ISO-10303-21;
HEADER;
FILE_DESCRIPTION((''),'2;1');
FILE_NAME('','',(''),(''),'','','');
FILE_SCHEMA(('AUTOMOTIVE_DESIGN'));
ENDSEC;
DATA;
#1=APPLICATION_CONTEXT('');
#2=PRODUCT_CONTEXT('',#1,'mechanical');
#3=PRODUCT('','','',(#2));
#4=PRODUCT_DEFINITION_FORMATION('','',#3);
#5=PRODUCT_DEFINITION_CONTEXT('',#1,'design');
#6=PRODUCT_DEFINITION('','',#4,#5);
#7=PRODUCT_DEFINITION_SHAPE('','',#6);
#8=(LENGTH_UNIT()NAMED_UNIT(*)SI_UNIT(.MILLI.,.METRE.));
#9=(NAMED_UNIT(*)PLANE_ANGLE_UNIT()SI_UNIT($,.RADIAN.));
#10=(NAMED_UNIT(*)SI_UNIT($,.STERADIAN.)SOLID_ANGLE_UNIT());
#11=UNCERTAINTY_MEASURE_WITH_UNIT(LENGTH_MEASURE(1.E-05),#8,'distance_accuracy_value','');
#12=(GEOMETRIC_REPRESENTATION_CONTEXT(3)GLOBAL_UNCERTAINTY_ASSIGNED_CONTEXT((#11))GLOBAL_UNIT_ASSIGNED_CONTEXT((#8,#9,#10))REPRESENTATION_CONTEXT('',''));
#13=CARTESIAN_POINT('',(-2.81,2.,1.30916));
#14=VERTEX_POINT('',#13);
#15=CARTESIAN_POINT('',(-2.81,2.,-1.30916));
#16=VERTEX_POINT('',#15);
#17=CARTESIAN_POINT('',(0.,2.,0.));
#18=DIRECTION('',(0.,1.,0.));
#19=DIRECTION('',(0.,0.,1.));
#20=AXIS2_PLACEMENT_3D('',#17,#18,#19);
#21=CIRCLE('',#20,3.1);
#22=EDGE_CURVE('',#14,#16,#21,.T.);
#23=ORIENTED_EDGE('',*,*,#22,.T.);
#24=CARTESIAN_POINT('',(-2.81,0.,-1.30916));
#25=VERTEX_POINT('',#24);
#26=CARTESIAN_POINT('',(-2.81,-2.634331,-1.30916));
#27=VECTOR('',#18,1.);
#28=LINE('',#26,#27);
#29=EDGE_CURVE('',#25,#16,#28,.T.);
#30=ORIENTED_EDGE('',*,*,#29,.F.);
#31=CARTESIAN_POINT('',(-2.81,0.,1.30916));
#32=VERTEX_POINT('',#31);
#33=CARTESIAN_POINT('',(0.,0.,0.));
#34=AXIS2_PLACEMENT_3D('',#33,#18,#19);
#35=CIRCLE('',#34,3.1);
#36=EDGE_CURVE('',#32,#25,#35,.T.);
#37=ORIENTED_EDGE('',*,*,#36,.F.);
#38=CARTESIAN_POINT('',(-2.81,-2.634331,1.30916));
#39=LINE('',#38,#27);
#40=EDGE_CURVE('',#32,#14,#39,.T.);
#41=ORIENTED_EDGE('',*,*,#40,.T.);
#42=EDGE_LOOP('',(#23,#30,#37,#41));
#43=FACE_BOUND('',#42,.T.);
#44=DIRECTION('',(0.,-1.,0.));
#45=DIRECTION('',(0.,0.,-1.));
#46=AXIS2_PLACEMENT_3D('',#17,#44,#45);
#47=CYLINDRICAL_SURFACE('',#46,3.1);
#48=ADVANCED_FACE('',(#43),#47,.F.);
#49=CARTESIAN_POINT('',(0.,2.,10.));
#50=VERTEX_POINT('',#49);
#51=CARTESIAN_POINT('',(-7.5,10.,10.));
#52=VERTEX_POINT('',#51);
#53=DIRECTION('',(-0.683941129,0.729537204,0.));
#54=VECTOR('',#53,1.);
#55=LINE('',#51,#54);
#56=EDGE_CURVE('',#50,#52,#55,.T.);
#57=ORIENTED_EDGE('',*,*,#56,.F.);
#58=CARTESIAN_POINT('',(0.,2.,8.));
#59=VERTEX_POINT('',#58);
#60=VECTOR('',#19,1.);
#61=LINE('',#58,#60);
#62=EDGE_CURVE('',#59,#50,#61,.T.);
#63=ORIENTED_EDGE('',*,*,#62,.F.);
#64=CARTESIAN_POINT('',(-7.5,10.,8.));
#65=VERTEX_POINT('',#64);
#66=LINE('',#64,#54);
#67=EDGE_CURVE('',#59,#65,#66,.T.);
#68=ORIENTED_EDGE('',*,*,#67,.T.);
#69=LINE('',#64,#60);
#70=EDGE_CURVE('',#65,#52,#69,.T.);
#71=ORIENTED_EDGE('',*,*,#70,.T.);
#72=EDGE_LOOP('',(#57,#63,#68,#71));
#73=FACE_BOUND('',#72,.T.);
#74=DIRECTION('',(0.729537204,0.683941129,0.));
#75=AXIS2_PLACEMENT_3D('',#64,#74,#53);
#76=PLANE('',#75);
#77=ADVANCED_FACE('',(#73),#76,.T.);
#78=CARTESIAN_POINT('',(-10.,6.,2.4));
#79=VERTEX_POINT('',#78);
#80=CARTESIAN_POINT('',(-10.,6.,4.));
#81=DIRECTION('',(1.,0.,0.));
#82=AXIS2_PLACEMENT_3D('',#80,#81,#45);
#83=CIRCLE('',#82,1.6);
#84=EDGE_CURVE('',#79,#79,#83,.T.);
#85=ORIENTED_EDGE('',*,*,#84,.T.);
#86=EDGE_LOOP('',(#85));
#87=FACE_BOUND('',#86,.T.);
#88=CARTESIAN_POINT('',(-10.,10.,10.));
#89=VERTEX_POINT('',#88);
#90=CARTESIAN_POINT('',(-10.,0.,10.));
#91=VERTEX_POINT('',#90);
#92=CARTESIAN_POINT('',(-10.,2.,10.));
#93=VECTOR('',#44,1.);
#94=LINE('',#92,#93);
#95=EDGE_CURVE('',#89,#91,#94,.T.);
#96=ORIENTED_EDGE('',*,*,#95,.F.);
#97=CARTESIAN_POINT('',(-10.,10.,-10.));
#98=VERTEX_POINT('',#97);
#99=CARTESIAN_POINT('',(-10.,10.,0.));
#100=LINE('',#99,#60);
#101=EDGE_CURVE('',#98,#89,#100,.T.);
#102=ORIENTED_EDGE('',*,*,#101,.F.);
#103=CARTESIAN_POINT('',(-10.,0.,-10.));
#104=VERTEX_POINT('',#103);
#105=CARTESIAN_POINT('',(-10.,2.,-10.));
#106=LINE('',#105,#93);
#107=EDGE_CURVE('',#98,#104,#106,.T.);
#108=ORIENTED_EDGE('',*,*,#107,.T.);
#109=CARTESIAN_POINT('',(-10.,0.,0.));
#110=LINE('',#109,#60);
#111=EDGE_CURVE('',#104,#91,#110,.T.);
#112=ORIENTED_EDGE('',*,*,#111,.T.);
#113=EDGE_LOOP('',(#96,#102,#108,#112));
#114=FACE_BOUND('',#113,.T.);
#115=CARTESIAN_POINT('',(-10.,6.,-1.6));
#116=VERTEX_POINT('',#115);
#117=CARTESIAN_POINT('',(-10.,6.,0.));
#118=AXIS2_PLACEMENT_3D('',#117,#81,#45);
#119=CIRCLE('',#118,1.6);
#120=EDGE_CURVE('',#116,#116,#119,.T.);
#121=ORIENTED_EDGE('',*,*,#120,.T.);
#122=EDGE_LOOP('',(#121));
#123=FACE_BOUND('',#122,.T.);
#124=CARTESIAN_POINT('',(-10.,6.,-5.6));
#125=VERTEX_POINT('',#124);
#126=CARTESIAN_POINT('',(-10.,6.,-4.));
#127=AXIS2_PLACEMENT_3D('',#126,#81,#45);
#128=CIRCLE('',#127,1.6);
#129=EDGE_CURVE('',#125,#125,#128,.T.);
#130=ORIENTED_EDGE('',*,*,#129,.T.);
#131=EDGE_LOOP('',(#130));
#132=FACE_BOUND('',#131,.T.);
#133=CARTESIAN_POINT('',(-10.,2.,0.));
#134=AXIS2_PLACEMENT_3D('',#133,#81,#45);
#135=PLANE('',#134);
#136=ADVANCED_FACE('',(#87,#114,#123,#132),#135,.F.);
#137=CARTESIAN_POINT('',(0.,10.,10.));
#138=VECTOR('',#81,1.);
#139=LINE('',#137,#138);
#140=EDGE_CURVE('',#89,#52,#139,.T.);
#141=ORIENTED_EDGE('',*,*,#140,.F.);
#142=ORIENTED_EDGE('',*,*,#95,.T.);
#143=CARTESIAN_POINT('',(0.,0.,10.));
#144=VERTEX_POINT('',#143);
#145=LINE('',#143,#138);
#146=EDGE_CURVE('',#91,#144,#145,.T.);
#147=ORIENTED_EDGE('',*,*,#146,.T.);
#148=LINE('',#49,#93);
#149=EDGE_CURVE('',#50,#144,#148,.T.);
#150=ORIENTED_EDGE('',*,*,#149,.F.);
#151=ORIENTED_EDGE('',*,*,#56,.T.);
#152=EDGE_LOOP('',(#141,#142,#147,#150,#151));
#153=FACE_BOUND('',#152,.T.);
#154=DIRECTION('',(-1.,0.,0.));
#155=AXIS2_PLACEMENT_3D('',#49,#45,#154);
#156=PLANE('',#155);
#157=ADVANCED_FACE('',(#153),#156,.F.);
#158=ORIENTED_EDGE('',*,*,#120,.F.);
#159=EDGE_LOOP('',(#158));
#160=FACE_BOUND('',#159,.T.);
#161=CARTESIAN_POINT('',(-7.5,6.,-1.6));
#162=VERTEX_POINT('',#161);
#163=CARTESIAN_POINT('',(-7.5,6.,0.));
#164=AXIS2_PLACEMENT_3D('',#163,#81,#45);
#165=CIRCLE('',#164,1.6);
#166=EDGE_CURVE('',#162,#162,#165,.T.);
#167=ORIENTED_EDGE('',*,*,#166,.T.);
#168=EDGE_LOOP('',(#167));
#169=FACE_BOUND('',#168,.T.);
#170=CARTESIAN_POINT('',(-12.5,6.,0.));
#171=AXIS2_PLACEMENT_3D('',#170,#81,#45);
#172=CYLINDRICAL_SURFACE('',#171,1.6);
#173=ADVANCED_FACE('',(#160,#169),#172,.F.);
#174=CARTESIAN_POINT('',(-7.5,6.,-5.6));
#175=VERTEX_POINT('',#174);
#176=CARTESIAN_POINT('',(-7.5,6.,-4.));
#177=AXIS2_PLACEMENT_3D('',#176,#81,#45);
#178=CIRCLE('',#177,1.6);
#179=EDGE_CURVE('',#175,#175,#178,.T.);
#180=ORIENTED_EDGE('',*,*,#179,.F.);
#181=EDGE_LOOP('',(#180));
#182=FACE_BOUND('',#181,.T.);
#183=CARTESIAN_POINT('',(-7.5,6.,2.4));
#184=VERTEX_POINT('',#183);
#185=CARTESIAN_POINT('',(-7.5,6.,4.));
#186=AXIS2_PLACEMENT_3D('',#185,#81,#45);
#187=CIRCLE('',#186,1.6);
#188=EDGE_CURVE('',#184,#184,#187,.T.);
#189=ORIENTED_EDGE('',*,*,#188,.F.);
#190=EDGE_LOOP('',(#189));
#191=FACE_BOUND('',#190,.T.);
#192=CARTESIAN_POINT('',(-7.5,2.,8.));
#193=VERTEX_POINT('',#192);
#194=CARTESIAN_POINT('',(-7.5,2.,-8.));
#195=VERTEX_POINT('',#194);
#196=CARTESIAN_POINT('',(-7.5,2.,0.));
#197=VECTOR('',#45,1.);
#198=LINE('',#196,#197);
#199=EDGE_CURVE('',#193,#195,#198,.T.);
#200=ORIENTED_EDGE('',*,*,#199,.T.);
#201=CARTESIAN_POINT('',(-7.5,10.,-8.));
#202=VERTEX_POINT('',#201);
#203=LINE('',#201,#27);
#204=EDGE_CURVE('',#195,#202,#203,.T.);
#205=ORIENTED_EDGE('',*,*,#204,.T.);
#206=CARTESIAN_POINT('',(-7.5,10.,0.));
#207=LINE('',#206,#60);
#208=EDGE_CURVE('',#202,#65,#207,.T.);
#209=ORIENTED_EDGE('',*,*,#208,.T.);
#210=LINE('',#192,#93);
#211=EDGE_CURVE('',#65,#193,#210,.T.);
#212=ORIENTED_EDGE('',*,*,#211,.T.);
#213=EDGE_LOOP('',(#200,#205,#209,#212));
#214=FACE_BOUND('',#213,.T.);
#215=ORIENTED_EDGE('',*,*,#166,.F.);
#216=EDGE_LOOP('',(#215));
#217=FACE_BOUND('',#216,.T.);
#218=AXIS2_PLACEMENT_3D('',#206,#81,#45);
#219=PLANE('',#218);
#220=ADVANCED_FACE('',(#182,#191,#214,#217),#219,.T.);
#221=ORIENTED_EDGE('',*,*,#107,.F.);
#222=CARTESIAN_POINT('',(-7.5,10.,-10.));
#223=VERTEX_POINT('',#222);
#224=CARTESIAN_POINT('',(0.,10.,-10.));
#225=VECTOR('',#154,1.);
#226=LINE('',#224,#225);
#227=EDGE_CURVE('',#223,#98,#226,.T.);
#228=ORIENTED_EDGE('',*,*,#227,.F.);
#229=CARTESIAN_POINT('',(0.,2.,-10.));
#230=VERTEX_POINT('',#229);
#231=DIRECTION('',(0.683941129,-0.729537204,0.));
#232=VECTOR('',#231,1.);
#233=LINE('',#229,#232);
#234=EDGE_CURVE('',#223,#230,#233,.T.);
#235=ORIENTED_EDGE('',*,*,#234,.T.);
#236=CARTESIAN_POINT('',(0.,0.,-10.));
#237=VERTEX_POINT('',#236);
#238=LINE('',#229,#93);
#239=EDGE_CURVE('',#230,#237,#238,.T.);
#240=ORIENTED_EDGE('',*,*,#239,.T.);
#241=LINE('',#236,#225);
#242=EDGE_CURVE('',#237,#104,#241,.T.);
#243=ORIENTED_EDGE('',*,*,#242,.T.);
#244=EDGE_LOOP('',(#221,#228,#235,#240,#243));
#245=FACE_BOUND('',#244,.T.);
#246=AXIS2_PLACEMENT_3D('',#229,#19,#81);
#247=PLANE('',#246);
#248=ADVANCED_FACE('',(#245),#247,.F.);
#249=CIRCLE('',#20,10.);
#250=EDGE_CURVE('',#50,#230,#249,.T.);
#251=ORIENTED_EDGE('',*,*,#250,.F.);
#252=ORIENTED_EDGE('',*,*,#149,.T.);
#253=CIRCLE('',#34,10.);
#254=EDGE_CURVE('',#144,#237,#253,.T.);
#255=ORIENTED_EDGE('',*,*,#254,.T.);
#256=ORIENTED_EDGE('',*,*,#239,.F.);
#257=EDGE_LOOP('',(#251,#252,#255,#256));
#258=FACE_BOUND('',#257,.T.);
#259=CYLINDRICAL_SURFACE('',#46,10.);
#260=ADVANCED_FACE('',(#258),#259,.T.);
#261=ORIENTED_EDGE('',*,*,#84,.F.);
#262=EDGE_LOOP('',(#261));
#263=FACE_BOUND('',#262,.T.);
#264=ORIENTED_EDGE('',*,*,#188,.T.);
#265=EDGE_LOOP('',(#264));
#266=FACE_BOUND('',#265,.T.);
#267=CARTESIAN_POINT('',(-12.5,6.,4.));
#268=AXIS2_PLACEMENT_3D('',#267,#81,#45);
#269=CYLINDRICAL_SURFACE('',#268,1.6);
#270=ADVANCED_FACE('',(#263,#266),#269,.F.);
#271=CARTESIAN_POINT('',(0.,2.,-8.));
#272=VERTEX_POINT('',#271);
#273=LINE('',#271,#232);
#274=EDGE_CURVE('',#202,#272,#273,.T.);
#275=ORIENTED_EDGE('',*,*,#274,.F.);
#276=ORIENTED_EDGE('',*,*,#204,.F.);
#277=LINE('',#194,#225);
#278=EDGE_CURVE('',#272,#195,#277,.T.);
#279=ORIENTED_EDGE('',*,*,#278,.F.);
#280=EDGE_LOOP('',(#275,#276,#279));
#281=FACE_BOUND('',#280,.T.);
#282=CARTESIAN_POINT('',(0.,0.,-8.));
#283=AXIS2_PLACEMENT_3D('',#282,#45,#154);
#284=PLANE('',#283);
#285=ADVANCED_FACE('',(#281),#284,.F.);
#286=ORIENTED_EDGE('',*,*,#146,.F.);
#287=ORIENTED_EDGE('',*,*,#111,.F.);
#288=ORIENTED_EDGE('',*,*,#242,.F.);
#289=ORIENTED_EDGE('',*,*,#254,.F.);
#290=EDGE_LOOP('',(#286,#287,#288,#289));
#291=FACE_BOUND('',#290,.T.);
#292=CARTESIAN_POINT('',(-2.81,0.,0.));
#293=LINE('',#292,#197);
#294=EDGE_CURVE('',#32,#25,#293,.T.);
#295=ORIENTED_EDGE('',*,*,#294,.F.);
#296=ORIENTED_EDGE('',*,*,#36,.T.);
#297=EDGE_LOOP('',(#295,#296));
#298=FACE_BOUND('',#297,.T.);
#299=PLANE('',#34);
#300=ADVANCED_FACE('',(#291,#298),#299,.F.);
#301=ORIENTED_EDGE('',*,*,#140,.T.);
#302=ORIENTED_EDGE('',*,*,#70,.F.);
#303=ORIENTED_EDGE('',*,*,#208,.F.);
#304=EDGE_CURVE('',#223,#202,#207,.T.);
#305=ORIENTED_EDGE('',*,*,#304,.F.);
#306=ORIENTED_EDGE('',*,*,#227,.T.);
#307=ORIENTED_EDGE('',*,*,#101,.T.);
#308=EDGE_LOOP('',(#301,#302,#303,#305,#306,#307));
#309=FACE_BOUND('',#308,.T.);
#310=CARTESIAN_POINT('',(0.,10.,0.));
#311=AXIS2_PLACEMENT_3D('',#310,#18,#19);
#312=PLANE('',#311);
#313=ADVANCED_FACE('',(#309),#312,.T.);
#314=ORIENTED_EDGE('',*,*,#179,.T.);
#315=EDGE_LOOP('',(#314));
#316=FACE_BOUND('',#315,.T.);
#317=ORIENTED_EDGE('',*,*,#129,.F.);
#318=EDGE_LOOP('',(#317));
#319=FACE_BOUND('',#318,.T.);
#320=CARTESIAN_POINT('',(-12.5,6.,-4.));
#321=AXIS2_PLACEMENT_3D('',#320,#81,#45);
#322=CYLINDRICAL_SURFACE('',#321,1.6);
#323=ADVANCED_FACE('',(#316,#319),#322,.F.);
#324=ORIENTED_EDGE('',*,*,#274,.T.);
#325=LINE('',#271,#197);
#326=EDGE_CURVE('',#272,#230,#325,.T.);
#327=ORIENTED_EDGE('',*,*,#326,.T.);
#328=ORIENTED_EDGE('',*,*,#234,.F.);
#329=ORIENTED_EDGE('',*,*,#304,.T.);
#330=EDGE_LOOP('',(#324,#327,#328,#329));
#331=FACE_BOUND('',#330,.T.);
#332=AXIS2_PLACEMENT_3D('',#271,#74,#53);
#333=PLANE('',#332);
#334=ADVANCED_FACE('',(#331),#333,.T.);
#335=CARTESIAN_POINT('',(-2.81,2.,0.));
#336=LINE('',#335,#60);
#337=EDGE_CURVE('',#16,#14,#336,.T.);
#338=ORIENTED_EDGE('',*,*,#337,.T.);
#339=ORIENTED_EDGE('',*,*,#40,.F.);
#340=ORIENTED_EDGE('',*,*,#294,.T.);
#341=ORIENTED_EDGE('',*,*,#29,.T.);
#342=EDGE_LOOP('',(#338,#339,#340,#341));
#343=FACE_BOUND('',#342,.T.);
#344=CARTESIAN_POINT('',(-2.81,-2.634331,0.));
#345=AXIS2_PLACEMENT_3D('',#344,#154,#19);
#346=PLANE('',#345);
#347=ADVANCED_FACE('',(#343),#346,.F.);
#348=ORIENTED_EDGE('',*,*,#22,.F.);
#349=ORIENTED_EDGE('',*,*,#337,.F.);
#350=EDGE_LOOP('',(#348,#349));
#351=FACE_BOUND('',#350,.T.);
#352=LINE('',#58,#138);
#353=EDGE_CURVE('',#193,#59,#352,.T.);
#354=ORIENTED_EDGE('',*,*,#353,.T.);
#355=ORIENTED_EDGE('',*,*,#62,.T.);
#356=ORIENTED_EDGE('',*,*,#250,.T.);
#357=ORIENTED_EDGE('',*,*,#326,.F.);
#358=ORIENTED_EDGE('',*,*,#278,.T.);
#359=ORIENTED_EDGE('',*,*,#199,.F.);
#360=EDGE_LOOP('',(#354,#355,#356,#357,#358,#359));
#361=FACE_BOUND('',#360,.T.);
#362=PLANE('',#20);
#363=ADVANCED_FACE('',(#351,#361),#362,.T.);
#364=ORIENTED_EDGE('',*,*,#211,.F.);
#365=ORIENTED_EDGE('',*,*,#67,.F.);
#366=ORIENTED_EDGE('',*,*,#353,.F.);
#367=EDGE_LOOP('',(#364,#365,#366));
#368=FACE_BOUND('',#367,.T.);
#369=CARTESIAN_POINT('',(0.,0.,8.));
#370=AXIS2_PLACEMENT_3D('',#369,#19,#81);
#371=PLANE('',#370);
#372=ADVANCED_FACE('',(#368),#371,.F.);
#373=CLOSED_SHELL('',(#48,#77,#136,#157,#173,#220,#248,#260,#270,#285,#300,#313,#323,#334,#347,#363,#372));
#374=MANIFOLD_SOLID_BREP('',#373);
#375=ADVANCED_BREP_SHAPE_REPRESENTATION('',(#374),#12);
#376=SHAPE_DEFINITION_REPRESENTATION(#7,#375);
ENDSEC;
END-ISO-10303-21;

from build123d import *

# Parameters (mm, degrees)
SKETCH1_R           = 3.1
BOSS_EXTRUDE1_DEPTH = 2
BOSS_EXTRUDE2_DEPTH = 10
BOSS_EXTRUDE3_DEPTH = 2
BOSS_EXTRUDE4_DEPTH = 2
CUT_EXTRUDE1_DEPTH  = 5
BOSS_EXTRUDE5_START = -2
BOSS_EXTRUDE5_DEPTH = 2


with BuildPart() as part:
    # Sketch1 → Boss-Extrude1 (new body)
    with BuildSketch(Plane(origin=(0, 0, 0), x_dir=(1, 0, 0), z_dir=(0, 1, 0))):
        with BuildLine():
            ThreePointArc((0, -10), (10, 0), (0, 10))
            Line((0, 10), (-10, 10))
            Line((-10, 10), (-10, -10))
            Line((-10, -10), (0, -10))
        make_face()
        with Locations(Location((0, 0, 0), (0, 0, 270))):
            Circle(SKETCH1_R, mode=Mode.SUBTRACT)
    extrude(amount=BOSS_EXTRUDE1_DEPTH)

    # Sketch1<3> → Boss-Extrude2 (add)
    with BuildSketch(Plane(origin=(0, 0, 0), x_dir=(1, 0, 0), z_dir=(0, 1, 0))):
        with BuildLine():
            Line((-7.5, -6.614378278), (-7.5, 6.614378278))
            ThreePointArc((-7.5, 6.614378278), (-9.354143467, 3.535533906), (-10, 0))
            ThreePointArc((-10, 0), (-9.354143467, -3.535533906), (-7.5, -6.614378278))
        make_face()
        with BuildLine():
            Line((-7.5, 6.614378278), (-7.5, 10))
            Line((-7.5, 10), (-10, 10))
            Line((-10, 10), (-10, 0))
            ThreePointArc((-10, 0), (-9.354143467, 3.535533906), (-7.5, 6.614378278))
        make_face()
        with BuildLine():
            Line((-7.5, -10), (-7.5, -6.614378278))
            ThreePointArc((-7.5, -6.614378278), (-9.354143467, -3.535533906), (-10, 0))
            Line((-10, 0), (-10, -10))
            Line((-10, -10), (-7.5, -10))
        make_face()
    extrude(amount=BOSS_EXTRUDE2_DEPTH)

    # Sketch2 → Boss-Extrude3 (add)
    with BuildSketch(Plane.XY.offset(10)):
        Polygon((-7.5, 10), (0, 2), (-7.5, 2), align=None)
    extrude(amount=-BOSS_EXTRUDE3_DEPTH)

    # Sketch3 → Boss-Extrude4 (add)
    with BuildSketch(Plane(origin=(0, 0, -10), x_dir=(-1, 0, 0), z_dir=(0, 0, -1))):
        Polygon((0, 2), (7.5, 10), (7.5, 2), align=None)
    extrude(amount=-BOSS_EXTRUDE4_DEPTH)

    # Sketch4 → Cut-Extrude1 (cut)
    with BuildSketch(Plane(origin=(-7.5, 0, 0), x_dir=(0, 0, -1), z_dir=(1, 0, 0))):
        with BuildLine():
            ThreePointArc((-2.4, 6), (-4, 7.6), (-5.6, 6))
            Line((-5.6, 6), (-2.4, 6))
        make_face()
        with BuildLine():
            Line((-2.4, 6), (-5.6, 6))
            ThreePointArc((-5.6, 6), (-4, 4.4), (-2.4, 6))
        make_face()
        with BuildLine():
            ThreePointArc((1.6, 6), (0, 7.6), (-1.6, 6))
            Line((-1.6, 6), (0, 6))
            Line((0, 6), (1.6, 6))
        make_face()
        with BuildLine():
            Line((0, 6), (-1.6, 6))
            ThreePointArc((-1.6, 6), (0, 4.4), (1.6, 6))
            Line((1.6, 6), (0, 6))
        make_face()
        with BuildLine():
            ThreePointArc((5.6, 6), (4, 7.6), (2.4, 6))
            Line((2.4, 6), (5.6, 6))
        make_face()
        with BuildLine():
            Line((5.6, 6), (2.4, 6))
            ThreePointArc((2.4, 6), (4, 4.4), (5.6, 6))
        make_face()
    extrude(amount=-CUT_EXTRUDE1_DEPTH, mode=Mode.SUBTRACT)

    # Sketch5 → Boss-Extrude5 (add)
    with BuildSketch(Plane(origin=(0, 2, 0), x_dir=(1, 0, 0), z_dir=(0, 1, 0)).offset(BOSS_EXTRUDE5_START)):
        with BuildLine():
            Line((-2.81, -1.309160036), (-2.81, 0))
            Line((-2.81, 0), (-2.81, 1.309160036))
            ThreePointArc((-2.81, 1.309160036), (-3.1, 0), (-2.81, -1.309160036))
        make_face()
    extrude(amount=BOSS_EXTRUDE5_DEPTH)


solid = part.part
